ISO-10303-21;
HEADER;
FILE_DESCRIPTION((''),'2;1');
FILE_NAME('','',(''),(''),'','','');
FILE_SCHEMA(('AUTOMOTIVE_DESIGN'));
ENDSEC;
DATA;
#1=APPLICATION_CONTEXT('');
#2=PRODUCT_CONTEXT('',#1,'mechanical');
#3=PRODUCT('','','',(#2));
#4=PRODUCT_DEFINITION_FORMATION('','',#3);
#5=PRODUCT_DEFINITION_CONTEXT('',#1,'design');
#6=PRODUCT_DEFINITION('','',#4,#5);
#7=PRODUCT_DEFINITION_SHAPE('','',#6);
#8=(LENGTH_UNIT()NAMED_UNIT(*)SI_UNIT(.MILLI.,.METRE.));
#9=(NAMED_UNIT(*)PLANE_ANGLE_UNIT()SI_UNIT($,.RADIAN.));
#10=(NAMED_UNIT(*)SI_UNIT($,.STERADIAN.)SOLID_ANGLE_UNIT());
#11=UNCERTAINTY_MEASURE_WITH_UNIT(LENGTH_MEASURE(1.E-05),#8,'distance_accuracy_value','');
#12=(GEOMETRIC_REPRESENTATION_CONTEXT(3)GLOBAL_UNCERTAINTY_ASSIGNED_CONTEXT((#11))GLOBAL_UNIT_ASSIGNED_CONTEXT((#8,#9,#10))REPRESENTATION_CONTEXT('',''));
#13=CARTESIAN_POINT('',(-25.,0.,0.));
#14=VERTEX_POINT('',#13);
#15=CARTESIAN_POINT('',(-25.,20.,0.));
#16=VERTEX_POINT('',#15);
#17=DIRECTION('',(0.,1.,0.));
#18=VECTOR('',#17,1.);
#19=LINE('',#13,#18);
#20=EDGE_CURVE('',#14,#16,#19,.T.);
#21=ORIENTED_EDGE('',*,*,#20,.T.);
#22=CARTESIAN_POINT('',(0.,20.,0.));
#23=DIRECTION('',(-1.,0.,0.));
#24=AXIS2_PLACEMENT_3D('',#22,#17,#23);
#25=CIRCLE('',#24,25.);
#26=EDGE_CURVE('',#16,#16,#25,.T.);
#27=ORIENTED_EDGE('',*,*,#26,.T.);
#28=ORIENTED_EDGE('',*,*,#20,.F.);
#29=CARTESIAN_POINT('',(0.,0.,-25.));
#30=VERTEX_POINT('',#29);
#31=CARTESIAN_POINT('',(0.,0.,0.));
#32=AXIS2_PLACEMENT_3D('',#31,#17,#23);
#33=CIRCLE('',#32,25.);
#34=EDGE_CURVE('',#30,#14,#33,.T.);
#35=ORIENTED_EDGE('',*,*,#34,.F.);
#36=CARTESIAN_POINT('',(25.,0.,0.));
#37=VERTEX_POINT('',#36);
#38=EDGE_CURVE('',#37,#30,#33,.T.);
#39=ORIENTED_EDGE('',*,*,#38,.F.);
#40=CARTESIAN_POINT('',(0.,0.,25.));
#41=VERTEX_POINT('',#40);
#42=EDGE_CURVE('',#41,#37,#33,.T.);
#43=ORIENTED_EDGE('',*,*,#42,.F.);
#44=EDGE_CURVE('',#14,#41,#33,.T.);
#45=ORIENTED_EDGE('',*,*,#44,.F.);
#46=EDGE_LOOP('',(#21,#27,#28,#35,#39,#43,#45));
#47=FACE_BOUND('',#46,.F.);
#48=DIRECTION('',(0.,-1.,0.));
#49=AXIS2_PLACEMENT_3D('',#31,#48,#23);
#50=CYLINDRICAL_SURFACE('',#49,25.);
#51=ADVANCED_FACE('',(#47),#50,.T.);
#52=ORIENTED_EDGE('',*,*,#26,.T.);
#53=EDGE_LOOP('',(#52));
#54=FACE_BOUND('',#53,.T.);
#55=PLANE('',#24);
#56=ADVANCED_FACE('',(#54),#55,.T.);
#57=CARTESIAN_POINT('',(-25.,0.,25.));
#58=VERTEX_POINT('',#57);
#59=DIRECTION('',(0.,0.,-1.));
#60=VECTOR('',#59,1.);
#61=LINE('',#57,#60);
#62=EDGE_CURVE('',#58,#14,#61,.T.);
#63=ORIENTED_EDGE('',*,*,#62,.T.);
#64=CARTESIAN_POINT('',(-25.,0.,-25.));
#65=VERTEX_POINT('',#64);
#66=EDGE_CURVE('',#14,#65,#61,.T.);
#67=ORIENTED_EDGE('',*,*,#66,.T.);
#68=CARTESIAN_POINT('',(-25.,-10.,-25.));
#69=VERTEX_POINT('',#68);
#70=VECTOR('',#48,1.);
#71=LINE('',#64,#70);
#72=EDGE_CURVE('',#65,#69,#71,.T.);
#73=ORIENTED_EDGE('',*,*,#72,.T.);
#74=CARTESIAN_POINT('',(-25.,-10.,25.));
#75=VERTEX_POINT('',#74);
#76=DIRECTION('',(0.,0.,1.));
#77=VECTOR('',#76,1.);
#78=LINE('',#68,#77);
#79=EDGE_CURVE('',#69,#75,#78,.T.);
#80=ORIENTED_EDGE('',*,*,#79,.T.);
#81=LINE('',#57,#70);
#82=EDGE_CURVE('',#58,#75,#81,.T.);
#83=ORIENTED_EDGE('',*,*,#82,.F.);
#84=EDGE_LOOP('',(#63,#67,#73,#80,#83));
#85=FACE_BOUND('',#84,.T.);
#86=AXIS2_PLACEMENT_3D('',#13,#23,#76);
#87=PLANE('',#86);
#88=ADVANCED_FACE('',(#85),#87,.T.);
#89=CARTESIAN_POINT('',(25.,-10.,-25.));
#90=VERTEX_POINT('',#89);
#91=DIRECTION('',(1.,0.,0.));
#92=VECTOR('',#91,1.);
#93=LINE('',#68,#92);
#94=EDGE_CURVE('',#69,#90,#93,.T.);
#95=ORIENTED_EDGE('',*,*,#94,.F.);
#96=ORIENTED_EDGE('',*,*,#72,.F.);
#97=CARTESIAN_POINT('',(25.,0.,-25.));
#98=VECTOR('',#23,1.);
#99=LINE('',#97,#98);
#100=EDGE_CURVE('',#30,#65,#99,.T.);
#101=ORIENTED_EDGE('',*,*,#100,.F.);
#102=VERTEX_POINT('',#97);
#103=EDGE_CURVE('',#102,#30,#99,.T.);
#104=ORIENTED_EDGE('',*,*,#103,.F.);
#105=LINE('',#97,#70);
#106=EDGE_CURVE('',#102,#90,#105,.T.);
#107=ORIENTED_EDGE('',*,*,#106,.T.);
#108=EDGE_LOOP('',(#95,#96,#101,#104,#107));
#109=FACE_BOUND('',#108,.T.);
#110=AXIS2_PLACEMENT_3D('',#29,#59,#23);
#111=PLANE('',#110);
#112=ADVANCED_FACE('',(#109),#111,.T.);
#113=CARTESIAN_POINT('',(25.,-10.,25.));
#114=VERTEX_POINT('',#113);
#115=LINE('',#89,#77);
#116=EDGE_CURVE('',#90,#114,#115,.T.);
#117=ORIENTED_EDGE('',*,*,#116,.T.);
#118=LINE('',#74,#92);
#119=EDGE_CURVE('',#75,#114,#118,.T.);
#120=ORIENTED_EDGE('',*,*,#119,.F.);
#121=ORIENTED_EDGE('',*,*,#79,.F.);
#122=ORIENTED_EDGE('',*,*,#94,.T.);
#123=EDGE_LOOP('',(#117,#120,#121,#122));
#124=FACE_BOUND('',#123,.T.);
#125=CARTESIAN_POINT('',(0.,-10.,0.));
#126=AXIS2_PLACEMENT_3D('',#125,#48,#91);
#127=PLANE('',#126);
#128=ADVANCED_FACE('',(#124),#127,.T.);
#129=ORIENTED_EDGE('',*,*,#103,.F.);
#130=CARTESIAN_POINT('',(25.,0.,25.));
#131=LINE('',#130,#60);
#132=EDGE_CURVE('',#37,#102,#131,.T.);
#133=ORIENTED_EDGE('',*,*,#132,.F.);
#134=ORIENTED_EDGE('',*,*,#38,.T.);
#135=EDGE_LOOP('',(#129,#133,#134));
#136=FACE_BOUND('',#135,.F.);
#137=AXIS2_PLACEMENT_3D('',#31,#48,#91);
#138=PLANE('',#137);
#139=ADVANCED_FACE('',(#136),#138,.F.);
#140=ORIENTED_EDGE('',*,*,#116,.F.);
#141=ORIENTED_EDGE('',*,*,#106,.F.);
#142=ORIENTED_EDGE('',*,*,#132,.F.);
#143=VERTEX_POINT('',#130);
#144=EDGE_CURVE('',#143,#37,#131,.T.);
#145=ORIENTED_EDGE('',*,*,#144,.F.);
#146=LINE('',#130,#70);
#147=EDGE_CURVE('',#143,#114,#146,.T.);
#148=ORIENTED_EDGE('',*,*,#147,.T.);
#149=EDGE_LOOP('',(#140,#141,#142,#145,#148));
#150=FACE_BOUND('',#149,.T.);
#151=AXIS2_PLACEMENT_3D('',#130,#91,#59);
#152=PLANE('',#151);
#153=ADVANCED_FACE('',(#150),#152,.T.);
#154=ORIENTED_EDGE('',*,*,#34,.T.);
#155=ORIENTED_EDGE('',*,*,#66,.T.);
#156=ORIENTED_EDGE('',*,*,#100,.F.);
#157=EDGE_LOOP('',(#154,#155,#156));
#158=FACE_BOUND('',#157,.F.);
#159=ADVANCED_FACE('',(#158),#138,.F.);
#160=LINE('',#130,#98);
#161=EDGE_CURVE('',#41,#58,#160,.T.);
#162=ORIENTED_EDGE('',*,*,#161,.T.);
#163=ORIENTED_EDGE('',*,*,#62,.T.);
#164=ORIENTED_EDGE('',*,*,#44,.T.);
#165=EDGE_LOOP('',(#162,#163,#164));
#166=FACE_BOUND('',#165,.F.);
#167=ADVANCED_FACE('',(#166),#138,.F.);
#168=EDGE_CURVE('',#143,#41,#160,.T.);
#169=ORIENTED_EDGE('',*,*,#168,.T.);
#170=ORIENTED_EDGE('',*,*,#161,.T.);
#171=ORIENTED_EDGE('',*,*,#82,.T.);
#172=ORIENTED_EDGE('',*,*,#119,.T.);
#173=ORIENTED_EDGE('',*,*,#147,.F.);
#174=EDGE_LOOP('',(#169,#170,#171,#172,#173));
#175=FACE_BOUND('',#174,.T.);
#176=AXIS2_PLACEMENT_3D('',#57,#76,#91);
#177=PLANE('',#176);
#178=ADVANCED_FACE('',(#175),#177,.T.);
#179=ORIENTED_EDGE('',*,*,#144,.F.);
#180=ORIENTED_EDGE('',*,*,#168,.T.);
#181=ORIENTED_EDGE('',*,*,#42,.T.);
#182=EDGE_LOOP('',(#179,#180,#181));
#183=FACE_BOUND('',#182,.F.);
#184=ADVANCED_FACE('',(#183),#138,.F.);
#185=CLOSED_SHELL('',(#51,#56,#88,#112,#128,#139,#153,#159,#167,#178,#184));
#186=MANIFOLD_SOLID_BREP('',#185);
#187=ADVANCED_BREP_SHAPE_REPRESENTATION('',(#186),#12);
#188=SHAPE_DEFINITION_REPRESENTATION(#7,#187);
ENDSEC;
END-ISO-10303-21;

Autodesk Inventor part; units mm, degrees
ref_plane "YZ Plane" through (0, 0, 0) normal (1, 0, 0) x (0, 1, 0)
ref_plane "XZ Plane" through (0, 0, 0) normal (0, 1, 0) x (-1, 0, 0)
ref_plane "XY Plane" through (0, 0, 0) normal (0, 0, 1) x (1, 0, 0)
sketch "Skizze1" plane through (0, 0, 0) normal (0, 1, 0) x (-1, 0, 0)
  circle A0 centre (0, 0) radius 25
  dimension "d0" = 50
extrude "Extrusion1" add sketch "Skizze1" along normal blind 20
sketch "Skizze2" plane through (0, 0, 0) normal (0, -1, 0) x (1, 0, 0)
  line L0 (-25, 25) -> (25, 25)
  line L1 (25, 25) -> (25, -25)
  line L2 (25, -25) -> (-25, -25)
  line L3 (-25, -25) -> (-25, 25)
  circle A0 centre (0, 0) radius 25 projected
extrude "Extrusion2" add sketch "Skizze2" along normal blind 10
equation "\"d0\" = UsedParameter"
equation "\"UsedParameter\" = 50"
equation "\"unusedParameter\" = 1"
properties part number "2Extrusionen"
